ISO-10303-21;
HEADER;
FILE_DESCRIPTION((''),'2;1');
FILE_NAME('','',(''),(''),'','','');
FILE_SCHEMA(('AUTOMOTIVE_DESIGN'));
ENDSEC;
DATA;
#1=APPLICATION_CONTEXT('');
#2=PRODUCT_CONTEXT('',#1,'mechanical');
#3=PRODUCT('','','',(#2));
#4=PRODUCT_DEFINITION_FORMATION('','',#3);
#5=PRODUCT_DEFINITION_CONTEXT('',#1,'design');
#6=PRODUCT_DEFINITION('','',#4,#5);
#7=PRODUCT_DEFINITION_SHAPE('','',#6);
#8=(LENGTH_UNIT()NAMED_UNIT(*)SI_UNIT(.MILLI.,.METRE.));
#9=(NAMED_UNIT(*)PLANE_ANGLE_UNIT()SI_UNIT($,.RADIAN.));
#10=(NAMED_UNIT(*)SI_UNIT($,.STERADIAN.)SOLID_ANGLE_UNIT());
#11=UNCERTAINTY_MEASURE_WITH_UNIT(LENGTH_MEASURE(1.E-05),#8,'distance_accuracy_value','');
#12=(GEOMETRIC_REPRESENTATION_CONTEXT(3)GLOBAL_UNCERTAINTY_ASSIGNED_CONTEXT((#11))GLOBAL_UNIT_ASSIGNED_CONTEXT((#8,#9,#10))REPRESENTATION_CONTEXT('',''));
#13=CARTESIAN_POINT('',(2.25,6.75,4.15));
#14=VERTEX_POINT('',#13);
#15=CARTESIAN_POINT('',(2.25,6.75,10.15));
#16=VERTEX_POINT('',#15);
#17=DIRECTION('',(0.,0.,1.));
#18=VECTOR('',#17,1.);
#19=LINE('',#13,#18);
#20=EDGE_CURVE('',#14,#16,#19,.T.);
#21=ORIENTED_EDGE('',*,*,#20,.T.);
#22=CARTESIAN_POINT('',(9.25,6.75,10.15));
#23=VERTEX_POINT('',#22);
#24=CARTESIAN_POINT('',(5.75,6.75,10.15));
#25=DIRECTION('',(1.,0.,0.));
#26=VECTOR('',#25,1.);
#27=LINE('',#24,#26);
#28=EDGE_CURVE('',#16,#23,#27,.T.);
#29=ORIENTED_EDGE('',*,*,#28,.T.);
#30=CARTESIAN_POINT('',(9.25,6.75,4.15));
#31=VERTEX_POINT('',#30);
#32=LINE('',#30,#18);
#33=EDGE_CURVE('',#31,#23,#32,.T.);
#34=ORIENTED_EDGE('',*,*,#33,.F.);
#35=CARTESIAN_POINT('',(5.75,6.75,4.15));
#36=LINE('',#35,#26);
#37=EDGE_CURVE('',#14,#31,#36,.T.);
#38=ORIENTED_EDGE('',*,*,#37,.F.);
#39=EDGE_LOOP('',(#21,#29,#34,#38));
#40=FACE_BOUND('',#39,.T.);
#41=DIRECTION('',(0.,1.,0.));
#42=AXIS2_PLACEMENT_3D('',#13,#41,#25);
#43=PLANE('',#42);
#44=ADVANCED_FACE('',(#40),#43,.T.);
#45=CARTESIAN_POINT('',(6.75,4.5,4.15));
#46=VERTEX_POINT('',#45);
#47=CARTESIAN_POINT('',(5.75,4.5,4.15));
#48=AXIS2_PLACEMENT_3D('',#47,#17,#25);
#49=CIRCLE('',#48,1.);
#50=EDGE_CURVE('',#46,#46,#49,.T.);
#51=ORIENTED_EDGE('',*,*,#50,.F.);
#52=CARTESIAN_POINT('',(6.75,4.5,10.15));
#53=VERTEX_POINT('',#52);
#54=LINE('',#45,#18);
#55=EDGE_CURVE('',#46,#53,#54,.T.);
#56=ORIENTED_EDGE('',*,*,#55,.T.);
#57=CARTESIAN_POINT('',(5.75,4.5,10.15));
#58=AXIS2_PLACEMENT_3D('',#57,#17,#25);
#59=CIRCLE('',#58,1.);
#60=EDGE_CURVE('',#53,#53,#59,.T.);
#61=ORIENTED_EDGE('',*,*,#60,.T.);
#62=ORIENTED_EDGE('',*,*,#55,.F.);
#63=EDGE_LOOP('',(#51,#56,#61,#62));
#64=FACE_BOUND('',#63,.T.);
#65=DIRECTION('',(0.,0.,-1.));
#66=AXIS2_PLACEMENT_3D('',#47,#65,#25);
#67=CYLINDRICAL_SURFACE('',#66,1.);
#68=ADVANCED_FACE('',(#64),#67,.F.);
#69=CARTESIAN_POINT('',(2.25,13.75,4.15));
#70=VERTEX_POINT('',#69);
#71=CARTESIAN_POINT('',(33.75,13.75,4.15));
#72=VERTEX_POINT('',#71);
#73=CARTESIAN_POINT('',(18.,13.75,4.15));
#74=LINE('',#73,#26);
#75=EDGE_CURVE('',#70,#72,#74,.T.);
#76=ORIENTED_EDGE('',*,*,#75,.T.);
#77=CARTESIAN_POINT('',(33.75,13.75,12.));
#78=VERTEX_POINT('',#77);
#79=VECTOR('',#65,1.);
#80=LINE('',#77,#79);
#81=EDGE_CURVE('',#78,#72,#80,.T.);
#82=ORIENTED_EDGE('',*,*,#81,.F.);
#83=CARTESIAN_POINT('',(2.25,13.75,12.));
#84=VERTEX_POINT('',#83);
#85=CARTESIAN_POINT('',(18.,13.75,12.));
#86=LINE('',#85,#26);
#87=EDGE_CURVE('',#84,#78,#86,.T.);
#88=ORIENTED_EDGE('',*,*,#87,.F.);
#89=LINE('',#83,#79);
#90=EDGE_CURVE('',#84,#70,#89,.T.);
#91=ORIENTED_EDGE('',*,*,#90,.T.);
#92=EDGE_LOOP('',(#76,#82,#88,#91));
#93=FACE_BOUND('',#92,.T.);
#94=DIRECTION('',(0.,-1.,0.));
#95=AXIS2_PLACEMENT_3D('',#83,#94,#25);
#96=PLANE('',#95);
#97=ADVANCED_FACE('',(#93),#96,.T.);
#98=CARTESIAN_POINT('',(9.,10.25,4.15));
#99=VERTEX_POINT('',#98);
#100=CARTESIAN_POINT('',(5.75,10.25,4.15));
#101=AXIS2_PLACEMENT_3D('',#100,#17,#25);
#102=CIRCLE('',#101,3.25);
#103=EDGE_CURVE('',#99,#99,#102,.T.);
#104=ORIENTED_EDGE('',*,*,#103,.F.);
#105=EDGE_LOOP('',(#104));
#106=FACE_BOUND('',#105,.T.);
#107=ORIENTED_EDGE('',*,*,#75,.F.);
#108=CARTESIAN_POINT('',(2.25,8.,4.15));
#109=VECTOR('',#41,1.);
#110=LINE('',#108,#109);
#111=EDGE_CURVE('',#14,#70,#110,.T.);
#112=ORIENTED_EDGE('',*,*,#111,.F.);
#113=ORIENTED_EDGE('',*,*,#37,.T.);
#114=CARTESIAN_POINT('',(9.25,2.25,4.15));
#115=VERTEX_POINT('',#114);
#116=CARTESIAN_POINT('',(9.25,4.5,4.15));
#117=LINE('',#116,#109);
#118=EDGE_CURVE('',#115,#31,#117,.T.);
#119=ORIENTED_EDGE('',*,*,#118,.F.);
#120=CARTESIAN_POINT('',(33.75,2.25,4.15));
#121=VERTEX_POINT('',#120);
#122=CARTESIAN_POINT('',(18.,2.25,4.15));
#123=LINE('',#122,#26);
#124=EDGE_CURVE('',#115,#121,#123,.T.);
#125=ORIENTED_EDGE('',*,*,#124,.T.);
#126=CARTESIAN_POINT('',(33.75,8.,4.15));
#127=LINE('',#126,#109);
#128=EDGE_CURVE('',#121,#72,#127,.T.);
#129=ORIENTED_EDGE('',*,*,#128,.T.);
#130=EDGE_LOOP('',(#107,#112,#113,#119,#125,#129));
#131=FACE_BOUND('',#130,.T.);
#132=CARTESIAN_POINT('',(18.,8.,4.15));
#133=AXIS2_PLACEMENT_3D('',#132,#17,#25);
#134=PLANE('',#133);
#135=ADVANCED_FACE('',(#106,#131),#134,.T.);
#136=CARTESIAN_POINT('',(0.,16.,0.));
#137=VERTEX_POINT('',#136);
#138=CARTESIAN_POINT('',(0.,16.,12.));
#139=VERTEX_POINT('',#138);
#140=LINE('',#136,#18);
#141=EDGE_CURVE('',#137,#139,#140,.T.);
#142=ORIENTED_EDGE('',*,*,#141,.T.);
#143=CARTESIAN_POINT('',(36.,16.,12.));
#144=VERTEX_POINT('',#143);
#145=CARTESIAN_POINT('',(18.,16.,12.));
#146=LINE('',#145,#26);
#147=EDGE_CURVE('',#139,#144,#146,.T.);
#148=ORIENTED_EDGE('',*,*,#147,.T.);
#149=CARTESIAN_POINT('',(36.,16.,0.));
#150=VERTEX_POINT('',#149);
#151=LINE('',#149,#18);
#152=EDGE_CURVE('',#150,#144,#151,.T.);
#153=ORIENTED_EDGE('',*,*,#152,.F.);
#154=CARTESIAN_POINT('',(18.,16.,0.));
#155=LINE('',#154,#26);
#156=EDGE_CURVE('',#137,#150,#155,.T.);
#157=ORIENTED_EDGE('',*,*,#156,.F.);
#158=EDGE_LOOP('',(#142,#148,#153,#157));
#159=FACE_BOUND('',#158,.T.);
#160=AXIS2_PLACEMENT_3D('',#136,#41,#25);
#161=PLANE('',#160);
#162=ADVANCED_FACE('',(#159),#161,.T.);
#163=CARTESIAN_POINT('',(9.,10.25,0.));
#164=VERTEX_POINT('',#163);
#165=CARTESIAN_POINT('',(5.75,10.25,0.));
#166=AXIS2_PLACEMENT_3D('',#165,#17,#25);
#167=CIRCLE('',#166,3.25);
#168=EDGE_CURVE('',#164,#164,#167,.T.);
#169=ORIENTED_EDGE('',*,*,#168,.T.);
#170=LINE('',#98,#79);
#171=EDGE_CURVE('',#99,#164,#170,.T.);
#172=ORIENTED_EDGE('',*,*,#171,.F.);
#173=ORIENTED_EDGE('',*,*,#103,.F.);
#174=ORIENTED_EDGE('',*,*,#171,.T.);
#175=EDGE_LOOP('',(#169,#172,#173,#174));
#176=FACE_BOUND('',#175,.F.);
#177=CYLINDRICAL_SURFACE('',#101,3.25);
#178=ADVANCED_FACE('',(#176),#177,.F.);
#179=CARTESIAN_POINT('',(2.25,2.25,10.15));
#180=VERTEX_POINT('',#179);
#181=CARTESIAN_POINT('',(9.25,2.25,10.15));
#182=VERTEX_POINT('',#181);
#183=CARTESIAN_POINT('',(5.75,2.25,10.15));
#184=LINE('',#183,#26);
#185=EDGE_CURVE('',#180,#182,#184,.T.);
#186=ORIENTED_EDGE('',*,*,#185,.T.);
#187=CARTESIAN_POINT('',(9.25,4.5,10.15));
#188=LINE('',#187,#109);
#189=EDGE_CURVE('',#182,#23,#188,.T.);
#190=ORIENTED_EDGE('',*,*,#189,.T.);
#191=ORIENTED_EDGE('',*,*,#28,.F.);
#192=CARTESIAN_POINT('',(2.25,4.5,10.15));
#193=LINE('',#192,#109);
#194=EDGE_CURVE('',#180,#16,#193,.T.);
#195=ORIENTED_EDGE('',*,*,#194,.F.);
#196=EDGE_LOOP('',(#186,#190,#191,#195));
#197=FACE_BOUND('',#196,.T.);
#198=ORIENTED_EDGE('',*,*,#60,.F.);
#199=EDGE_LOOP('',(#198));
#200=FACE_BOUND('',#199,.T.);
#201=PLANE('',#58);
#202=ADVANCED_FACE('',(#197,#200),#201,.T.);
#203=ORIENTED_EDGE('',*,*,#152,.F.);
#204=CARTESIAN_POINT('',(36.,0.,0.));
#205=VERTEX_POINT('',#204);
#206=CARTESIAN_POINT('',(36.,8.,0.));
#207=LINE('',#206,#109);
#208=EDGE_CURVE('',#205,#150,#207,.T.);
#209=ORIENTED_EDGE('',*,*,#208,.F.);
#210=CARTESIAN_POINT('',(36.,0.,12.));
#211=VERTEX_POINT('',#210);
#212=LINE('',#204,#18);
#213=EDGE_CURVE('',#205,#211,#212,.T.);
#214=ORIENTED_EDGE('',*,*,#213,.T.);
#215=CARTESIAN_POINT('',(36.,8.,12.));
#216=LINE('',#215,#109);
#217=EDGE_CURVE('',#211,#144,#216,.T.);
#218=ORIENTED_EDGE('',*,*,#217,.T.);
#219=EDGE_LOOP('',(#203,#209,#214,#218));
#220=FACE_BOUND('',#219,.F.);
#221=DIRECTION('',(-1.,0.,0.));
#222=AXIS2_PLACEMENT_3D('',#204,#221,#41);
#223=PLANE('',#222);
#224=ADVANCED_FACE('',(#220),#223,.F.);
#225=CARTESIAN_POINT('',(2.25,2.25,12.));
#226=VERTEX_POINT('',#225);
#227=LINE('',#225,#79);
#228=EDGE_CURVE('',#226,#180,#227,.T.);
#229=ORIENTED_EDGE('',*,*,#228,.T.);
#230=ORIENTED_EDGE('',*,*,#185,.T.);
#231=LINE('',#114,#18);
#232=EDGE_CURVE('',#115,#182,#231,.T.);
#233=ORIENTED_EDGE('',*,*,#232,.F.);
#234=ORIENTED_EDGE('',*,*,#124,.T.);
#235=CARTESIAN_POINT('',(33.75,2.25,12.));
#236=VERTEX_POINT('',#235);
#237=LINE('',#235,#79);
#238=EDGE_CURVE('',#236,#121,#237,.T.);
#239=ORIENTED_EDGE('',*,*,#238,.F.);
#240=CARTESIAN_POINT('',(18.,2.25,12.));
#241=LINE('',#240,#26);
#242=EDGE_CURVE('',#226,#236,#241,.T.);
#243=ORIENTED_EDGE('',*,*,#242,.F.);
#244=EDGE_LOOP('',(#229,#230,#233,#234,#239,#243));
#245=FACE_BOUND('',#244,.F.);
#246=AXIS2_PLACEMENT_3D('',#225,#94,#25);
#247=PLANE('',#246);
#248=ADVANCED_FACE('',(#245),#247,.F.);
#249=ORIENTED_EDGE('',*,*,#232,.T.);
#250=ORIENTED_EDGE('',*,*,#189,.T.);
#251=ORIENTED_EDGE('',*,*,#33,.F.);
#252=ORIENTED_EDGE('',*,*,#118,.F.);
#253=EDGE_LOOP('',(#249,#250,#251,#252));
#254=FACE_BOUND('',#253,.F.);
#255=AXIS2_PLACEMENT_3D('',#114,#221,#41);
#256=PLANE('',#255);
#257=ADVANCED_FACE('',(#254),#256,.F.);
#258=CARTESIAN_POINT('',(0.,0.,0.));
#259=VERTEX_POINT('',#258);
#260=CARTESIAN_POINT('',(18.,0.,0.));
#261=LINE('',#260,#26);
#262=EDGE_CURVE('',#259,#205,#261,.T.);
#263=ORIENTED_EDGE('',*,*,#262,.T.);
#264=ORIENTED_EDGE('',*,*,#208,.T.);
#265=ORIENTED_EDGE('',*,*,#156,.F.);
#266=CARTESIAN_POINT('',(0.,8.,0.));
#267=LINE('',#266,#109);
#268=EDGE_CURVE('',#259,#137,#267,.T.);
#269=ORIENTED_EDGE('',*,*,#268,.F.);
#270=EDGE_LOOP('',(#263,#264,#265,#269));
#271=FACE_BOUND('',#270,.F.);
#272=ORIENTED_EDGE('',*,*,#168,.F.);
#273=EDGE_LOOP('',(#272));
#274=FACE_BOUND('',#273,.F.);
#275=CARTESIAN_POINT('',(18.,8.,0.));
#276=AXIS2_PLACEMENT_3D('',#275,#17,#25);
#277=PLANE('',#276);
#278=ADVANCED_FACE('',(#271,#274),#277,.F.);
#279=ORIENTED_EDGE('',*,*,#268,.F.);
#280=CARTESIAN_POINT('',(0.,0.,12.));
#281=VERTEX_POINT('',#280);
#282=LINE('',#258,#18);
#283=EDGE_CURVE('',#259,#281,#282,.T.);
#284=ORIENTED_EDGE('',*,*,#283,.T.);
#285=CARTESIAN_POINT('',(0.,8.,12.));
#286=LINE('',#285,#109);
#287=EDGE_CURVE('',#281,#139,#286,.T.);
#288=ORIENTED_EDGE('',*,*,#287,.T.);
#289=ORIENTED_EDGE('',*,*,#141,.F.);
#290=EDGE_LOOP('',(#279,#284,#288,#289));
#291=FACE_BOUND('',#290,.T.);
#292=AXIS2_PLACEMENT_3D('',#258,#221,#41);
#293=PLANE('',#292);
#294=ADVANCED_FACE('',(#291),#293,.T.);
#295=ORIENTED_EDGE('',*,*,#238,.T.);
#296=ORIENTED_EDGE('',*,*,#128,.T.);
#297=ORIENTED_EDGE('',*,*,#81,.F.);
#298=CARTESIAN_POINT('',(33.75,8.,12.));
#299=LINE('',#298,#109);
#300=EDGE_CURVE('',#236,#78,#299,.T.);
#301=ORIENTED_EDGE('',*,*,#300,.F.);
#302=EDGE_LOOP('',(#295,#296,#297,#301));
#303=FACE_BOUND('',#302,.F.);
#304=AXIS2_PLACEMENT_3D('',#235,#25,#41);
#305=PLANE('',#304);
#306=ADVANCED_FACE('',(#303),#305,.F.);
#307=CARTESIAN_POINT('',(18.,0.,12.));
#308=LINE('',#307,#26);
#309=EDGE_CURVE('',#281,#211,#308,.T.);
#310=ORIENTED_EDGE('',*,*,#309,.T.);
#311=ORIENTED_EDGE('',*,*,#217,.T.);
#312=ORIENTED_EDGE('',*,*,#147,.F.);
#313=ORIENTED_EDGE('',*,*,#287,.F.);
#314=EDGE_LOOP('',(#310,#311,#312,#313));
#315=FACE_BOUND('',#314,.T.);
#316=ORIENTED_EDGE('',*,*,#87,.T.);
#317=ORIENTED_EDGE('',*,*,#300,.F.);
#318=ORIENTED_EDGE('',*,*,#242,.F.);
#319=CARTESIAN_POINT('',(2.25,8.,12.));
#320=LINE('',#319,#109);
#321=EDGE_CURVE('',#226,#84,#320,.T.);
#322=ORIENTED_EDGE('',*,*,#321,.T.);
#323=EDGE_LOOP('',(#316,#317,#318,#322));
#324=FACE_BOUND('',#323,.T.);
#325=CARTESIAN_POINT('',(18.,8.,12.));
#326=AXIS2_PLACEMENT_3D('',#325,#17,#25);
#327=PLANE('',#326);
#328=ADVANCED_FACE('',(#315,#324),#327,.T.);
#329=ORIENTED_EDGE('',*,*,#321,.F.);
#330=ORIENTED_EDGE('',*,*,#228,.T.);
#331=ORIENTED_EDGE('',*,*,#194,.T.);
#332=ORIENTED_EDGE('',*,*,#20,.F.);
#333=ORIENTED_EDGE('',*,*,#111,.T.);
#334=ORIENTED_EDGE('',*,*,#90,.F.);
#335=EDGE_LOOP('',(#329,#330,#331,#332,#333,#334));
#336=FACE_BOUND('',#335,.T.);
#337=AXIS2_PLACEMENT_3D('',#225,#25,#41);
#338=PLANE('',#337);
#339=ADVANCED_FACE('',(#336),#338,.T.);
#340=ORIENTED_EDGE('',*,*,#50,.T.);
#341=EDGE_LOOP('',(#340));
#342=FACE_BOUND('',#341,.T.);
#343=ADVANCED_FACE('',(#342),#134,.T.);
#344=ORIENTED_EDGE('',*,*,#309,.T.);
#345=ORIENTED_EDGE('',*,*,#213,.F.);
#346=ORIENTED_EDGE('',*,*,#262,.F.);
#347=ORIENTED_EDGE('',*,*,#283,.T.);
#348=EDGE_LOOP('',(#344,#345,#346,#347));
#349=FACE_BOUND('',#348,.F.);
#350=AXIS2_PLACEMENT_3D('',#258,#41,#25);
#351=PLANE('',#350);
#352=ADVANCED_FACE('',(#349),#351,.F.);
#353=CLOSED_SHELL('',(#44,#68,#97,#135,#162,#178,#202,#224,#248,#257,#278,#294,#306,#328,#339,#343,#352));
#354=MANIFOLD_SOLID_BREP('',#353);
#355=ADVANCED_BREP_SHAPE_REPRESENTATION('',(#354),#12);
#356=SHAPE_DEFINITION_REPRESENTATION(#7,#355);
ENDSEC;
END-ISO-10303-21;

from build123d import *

# Parameters (mm, degrees)
SKETCH_W        = 36
SKETCH_H        = 16
PAD_DEPTH       = 12
SKETCH001_W     = 31.5
SKETCH001_H     = 11.5
POCKET_DEPTH    = 7.85
SKETCH002_W     = 7
SKETCH002_H     = 4.5
SKETCH002_R     = 1
PAD001_DEPTH    = 6
SKETCH003_R     = 3.25
POCKET001_DEPTH = 5


with BuildPart() as part:
    # Sketch → Pad (new body)
    with BuildSketch(Plane.XY):
        with Locations((18, 8)):
            Rectangle(SKETCH_W, SKETCH_H)
    extrude(amount=PAD_DEPTH)

    # Sketch001 (on Face6 of Pad) → Pocket (cut)
    with BuildSketch(Plane.XY.offset(12)):
        with Locations((18, 8)):
            Rectangle(SKETCH001_W, SKETCH001_H)
    extrude(amount=-POCKET_DEPTH, mode=Mode.SUBTRACT)

    # Sketch002 (on Face11 of Pocket) → Pad001 (join)
    with BuildSketch(Plane.XY.offset(4.15)):
        with Locations((5.75, 4.5)):
            Rectangle(SKETCH002_W, SKETCH002_H)
        with Locations((5.75, 4.5)):
            Circle(SKETCH002_R, mode=Mode.SUBTRACT)
    extrude(amount=PAD001_DEPTH)

    # Sketch003 (on Face11 of Pad001) → Pocket001 (cut)
    with BuildSketch(Plane.XY.offset(4.15)):
        with Locations((5.75, 10.25)):
            Circle(SKETCH003_R)
    extrude(amount=-POCKET001_DEPTH, mode=Mode.SUBTRACT)


solid = part.part
